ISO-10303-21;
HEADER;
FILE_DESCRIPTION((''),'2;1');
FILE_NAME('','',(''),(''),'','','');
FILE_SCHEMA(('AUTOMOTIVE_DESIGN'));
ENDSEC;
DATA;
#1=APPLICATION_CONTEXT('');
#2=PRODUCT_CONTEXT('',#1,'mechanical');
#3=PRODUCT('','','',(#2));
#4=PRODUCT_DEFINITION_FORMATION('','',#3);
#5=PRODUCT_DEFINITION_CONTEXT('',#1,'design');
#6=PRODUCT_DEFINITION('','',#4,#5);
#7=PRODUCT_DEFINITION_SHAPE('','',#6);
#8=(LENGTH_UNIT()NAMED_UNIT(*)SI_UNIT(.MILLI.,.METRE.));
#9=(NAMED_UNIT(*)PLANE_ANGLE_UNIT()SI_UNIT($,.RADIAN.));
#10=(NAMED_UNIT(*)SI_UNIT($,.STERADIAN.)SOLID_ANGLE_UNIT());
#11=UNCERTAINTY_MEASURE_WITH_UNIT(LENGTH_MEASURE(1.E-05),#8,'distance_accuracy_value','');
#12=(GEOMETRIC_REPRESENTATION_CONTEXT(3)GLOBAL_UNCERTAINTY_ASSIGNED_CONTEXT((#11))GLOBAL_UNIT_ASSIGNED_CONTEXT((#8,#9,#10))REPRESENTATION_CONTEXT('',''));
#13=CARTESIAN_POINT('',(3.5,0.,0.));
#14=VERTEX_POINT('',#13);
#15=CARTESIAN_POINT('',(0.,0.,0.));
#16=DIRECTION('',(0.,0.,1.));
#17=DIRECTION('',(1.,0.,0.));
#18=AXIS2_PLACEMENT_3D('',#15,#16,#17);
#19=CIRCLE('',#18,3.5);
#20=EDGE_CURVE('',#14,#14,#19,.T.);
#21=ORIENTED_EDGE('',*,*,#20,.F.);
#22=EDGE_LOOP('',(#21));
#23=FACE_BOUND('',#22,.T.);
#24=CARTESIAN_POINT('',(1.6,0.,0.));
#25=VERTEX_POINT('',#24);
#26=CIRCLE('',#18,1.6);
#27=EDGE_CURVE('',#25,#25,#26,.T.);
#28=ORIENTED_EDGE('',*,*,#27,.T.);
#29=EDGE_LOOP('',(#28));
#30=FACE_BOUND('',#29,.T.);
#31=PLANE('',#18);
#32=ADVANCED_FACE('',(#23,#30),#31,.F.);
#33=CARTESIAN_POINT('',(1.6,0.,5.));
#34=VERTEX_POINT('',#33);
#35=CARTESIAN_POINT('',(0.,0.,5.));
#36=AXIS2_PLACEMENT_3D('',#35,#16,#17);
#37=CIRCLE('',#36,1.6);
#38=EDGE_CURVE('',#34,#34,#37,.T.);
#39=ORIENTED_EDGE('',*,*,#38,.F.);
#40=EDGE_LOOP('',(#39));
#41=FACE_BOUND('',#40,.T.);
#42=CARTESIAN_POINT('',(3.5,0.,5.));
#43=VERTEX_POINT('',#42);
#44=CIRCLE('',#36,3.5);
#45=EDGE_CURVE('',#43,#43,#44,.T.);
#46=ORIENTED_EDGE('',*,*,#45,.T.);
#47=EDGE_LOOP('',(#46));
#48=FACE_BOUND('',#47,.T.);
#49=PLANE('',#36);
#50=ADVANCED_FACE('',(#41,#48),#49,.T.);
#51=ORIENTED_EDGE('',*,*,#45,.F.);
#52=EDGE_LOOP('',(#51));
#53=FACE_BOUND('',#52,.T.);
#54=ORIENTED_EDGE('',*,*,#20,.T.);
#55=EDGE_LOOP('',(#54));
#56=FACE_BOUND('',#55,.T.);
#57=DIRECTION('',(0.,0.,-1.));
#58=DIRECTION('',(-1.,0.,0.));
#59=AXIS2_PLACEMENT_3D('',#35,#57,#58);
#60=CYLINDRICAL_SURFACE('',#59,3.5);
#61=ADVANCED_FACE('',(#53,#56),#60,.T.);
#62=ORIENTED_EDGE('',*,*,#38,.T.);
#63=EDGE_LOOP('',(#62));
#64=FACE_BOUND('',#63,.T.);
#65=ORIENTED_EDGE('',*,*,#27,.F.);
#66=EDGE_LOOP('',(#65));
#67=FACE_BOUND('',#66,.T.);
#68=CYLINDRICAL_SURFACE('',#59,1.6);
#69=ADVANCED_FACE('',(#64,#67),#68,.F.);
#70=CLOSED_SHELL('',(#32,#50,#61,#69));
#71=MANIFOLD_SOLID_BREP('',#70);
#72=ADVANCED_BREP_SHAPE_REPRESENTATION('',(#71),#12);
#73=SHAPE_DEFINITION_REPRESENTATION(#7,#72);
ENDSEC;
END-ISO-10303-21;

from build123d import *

# Parameters (mm, degrees)
SKETCH_1_R      = 3.5
SKETCH_1_R_2    = 1.6
EXTRUDE_1_DEPTH = 5


with BuildPart() as part:
    # ｽｹｯﾁ1 → ﾎﾞｽ - 押し出し1 (new body)
    with BuildSketch(Plane.XY):
        Circle(SKETCH_1_R)
        Circle(SKETCH_1_R_2, mode=Mode.SUBTRACT)
    extrude(amount=EXTRUDE_1_DEPTH)


solid = part.part
